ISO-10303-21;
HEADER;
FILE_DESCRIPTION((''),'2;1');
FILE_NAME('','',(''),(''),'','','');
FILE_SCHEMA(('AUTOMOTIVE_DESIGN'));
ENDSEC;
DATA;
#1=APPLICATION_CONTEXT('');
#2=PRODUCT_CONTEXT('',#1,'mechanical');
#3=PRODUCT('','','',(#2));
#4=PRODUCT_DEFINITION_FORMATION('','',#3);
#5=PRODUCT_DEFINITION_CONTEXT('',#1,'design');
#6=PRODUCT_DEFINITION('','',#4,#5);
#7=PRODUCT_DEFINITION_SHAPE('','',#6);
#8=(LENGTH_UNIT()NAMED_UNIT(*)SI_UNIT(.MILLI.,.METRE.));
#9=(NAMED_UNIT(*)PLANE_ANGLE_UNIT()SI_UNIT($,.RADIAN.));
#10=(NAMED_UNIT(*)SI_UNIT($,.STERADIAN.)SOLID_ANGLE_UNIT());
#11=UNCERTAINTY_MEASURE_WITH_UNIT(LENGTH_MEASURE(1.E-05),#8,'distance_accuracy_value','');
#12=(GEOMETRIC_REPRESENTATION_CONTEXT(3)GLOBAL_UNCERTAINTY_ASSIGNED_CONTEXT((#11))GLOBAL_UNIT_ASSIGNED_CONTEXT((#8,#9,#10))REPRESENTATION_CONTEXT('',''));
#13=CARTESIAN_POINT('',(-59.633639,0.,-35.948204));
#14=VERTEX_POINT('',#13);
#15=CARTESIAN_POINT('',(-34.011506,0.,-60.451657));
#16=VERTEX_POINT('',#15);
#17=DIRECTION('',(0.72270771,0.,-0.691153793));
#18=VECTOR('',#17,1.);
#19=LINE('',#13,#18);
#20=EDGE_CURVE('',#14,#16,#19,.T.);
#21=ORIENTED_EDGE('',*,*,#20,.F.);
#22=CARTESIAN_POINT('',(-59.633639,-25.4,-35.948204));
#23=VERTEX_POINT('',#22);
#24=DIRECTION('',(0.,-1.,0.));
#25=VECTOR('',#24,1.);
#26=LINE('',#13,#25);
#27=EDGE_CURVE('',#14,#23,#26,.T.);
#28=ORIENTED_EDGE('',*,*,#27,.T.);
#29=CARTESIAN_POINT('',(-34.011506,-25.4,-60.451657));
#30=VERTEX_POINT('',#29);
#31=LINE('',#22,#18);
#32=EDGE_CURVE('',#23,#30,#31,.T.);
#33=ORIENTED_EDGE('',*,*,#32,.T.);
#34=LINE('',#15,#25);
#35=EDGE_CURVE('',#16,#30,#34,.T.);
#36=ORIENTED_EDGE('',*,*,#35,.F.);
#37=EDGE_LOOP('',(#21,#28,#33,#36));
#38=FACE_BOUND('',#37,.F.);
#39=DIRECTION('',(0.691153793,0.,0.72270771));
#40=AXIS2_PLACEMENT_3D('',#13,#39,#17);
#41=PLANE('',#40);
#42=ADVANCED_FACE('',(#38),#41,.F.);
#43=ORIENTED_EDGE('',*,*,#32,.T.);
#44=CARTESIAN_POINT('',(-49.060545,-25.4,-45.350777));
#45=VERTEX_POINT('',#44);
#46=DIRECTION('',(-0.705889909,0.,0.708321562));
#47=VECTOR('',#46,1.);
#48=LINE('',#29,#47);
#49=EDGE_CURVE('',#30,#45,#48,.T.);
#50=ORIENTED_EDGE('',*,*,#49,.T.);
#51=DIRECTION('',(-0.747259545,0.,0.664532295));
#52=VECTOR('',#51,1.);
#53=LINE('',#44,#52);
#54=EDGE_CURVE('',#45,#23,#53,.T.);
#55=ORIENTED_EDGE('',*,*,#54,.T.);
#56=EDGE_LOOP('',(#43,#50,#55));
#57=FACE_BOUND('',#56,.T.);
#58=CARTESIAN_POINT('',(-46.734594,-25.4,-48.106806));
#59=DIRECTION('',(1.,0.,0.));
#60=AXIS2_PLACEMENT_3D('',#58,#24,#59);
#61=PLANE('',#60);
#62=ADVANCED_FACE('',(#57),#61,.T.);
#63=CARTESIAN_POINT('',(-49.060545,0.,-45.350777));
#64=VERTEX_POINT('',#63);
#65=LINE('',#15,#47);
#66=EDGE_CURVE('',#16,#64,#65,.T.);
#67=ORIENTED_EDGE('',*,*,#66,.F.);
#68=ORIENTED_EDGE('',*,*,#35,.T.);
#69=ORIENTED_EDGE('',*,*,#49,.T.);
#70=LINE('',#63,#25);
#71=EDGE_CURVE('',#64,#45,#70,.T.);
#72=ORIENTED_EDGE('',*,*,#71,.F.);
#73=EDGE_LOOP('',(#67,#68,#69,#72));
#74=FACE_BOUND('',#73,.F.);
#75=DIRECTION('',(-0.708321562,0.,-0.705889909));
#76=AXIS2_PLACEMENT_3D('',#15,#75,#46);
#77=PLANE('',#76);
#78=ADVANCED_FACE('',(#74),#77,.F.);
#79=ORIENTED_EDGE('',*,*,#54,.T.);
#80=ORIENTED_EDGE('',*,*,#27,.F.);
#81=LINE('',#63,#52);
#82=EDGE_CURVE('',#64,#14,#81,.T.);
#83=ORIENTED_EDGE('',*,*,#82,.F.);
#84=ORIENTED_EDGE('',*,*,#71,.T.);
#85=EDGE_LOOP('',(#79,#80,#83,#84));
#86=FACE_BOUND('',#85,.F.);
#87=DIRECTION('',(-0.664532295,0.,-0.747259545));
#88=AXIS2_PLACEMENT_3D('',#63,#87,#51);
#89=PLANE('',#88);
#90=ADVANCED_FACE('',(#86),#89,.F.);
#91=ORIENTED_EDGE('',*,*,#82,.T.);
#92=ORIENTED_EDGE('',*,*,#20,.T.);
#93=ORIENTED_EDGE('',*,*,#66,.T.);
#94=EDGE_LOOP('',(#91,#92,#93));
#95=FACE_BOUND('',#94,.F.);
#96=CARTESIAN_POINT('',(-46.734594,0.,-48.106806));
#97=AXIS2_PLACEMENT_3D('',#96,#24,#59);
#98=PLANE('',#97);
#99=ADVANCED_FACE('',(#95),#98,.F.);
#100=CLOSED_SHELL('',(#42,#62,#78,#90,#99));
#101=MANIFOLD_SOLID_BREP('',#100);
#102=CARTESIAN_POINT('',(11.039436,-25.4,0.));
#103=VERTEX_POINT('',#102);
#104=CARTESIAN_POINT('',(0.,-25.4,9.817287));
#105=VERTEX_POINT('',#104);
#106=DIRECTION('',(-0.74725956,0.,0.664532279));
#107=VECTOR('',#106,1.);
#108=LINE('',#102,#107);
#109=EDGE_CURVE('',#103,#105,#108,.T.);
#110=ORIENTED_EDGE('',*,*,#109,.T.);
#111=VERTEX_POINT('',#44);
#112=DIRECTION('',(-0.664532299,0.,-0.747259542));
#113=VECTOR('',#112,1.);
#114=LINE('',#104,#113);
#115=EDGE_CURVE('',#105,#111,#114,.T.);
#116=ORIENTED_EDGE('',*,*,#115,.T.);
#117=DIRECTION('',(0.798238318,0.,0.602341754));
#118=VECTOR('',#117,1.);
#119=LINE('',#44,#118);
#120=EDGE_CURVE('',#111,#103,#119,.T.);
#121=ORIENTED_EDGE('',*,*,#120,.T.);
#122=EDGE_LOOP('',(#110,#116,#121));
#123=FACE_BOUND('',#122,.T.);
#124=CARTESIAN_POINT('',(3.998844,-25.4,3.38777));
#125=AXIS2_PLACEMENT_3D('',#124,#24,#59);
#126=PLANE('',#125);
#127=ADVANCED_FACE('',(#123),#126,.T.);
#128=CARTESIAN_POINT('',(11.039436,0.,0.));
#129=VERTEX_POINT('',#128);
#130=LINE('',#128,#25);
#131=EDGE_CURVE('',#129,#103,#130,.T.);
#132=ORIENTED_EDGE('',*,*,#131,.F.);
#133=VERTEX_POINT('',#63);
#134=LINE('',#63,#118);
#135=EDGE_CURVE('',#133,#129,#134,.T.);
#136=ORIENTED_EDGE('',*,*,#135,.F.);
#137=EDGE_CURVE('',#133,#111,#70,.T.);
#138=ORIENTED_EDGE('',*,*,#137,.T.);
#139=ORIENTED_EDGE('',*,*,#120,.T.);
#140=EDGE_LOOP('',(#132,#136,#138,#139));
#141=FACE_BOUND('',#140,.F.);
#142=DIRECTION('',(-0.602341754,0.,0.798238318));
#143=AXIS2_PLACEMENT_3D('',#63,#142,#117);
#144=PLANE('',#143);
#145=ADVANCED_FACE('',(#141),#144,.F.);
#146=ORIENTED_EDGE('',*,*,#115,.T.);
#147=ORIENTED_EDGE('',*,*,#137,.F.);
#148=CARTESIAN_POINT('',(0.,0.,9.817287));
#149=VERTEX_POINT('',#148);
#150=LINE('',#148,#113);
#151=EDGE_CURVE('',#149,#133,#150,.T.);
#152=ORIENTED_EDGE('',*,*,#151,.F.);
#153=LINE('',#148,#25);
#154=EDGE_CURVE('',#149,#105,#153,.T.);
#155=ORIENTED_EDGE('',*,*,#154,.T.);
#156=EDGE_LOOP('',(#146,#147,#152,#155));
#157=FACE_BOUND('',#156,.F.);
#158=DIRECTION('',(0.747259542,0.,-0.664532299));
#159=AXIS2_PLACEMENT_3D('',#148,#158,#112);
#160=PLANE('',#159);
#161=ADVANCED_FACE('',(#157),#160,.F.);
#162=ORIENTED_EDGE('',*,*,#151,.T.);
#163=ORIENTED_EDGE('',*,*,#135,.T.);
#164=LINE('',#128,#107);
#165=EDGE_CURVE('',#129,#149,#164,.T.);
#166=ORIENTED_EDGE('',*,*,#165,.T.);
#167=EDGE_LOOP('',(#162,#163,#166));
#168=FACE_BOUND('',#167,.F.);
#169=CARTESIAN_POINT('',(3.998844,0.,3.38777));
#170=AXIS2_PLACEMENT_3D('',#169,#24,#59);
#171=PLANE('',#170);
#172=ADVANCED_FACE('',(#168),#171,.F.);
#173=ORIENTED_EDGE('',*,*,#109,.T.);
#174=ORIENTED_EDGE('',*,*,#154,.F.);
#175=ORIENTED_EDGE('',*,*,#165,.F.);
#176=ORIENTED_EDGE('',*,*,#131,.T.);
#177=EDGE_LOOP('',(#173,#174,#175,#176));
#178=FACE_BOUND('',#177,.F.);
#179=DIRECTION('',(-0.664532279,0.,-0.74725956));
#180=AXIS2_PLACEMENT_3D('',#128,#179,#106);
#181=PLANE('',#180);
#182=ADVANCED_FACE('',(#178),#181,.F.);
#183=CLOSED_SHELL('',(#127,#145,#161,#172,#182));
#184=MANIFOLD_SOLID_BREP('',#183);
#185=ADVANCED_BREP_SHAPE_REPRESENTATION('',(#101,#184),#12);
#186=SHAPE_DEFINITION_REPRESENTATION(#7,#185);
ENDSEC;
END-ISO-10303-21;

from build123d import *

# Parameters (mm, degrees)
F1_DEPTH = 25.4


with BuildPart() as f1:
    # F0 (on Front) → F1 (new body)
    with BuildSketch(Plane.XZ):
        Polygon((11.039436, 0), (0, 9.817287), (0, 0), align=None)
        Polygon((-34.011506, -60.451657), (-49.060545, -45.350777), (-59.633639, -35.948204), align=None)
        Polygon((0, 0), (0, 9.817287), (-49.060545, -45.350777), (11.039436, 0), align=None)
    extrude(amount=F1_DEPTH)


solid = f1.part
